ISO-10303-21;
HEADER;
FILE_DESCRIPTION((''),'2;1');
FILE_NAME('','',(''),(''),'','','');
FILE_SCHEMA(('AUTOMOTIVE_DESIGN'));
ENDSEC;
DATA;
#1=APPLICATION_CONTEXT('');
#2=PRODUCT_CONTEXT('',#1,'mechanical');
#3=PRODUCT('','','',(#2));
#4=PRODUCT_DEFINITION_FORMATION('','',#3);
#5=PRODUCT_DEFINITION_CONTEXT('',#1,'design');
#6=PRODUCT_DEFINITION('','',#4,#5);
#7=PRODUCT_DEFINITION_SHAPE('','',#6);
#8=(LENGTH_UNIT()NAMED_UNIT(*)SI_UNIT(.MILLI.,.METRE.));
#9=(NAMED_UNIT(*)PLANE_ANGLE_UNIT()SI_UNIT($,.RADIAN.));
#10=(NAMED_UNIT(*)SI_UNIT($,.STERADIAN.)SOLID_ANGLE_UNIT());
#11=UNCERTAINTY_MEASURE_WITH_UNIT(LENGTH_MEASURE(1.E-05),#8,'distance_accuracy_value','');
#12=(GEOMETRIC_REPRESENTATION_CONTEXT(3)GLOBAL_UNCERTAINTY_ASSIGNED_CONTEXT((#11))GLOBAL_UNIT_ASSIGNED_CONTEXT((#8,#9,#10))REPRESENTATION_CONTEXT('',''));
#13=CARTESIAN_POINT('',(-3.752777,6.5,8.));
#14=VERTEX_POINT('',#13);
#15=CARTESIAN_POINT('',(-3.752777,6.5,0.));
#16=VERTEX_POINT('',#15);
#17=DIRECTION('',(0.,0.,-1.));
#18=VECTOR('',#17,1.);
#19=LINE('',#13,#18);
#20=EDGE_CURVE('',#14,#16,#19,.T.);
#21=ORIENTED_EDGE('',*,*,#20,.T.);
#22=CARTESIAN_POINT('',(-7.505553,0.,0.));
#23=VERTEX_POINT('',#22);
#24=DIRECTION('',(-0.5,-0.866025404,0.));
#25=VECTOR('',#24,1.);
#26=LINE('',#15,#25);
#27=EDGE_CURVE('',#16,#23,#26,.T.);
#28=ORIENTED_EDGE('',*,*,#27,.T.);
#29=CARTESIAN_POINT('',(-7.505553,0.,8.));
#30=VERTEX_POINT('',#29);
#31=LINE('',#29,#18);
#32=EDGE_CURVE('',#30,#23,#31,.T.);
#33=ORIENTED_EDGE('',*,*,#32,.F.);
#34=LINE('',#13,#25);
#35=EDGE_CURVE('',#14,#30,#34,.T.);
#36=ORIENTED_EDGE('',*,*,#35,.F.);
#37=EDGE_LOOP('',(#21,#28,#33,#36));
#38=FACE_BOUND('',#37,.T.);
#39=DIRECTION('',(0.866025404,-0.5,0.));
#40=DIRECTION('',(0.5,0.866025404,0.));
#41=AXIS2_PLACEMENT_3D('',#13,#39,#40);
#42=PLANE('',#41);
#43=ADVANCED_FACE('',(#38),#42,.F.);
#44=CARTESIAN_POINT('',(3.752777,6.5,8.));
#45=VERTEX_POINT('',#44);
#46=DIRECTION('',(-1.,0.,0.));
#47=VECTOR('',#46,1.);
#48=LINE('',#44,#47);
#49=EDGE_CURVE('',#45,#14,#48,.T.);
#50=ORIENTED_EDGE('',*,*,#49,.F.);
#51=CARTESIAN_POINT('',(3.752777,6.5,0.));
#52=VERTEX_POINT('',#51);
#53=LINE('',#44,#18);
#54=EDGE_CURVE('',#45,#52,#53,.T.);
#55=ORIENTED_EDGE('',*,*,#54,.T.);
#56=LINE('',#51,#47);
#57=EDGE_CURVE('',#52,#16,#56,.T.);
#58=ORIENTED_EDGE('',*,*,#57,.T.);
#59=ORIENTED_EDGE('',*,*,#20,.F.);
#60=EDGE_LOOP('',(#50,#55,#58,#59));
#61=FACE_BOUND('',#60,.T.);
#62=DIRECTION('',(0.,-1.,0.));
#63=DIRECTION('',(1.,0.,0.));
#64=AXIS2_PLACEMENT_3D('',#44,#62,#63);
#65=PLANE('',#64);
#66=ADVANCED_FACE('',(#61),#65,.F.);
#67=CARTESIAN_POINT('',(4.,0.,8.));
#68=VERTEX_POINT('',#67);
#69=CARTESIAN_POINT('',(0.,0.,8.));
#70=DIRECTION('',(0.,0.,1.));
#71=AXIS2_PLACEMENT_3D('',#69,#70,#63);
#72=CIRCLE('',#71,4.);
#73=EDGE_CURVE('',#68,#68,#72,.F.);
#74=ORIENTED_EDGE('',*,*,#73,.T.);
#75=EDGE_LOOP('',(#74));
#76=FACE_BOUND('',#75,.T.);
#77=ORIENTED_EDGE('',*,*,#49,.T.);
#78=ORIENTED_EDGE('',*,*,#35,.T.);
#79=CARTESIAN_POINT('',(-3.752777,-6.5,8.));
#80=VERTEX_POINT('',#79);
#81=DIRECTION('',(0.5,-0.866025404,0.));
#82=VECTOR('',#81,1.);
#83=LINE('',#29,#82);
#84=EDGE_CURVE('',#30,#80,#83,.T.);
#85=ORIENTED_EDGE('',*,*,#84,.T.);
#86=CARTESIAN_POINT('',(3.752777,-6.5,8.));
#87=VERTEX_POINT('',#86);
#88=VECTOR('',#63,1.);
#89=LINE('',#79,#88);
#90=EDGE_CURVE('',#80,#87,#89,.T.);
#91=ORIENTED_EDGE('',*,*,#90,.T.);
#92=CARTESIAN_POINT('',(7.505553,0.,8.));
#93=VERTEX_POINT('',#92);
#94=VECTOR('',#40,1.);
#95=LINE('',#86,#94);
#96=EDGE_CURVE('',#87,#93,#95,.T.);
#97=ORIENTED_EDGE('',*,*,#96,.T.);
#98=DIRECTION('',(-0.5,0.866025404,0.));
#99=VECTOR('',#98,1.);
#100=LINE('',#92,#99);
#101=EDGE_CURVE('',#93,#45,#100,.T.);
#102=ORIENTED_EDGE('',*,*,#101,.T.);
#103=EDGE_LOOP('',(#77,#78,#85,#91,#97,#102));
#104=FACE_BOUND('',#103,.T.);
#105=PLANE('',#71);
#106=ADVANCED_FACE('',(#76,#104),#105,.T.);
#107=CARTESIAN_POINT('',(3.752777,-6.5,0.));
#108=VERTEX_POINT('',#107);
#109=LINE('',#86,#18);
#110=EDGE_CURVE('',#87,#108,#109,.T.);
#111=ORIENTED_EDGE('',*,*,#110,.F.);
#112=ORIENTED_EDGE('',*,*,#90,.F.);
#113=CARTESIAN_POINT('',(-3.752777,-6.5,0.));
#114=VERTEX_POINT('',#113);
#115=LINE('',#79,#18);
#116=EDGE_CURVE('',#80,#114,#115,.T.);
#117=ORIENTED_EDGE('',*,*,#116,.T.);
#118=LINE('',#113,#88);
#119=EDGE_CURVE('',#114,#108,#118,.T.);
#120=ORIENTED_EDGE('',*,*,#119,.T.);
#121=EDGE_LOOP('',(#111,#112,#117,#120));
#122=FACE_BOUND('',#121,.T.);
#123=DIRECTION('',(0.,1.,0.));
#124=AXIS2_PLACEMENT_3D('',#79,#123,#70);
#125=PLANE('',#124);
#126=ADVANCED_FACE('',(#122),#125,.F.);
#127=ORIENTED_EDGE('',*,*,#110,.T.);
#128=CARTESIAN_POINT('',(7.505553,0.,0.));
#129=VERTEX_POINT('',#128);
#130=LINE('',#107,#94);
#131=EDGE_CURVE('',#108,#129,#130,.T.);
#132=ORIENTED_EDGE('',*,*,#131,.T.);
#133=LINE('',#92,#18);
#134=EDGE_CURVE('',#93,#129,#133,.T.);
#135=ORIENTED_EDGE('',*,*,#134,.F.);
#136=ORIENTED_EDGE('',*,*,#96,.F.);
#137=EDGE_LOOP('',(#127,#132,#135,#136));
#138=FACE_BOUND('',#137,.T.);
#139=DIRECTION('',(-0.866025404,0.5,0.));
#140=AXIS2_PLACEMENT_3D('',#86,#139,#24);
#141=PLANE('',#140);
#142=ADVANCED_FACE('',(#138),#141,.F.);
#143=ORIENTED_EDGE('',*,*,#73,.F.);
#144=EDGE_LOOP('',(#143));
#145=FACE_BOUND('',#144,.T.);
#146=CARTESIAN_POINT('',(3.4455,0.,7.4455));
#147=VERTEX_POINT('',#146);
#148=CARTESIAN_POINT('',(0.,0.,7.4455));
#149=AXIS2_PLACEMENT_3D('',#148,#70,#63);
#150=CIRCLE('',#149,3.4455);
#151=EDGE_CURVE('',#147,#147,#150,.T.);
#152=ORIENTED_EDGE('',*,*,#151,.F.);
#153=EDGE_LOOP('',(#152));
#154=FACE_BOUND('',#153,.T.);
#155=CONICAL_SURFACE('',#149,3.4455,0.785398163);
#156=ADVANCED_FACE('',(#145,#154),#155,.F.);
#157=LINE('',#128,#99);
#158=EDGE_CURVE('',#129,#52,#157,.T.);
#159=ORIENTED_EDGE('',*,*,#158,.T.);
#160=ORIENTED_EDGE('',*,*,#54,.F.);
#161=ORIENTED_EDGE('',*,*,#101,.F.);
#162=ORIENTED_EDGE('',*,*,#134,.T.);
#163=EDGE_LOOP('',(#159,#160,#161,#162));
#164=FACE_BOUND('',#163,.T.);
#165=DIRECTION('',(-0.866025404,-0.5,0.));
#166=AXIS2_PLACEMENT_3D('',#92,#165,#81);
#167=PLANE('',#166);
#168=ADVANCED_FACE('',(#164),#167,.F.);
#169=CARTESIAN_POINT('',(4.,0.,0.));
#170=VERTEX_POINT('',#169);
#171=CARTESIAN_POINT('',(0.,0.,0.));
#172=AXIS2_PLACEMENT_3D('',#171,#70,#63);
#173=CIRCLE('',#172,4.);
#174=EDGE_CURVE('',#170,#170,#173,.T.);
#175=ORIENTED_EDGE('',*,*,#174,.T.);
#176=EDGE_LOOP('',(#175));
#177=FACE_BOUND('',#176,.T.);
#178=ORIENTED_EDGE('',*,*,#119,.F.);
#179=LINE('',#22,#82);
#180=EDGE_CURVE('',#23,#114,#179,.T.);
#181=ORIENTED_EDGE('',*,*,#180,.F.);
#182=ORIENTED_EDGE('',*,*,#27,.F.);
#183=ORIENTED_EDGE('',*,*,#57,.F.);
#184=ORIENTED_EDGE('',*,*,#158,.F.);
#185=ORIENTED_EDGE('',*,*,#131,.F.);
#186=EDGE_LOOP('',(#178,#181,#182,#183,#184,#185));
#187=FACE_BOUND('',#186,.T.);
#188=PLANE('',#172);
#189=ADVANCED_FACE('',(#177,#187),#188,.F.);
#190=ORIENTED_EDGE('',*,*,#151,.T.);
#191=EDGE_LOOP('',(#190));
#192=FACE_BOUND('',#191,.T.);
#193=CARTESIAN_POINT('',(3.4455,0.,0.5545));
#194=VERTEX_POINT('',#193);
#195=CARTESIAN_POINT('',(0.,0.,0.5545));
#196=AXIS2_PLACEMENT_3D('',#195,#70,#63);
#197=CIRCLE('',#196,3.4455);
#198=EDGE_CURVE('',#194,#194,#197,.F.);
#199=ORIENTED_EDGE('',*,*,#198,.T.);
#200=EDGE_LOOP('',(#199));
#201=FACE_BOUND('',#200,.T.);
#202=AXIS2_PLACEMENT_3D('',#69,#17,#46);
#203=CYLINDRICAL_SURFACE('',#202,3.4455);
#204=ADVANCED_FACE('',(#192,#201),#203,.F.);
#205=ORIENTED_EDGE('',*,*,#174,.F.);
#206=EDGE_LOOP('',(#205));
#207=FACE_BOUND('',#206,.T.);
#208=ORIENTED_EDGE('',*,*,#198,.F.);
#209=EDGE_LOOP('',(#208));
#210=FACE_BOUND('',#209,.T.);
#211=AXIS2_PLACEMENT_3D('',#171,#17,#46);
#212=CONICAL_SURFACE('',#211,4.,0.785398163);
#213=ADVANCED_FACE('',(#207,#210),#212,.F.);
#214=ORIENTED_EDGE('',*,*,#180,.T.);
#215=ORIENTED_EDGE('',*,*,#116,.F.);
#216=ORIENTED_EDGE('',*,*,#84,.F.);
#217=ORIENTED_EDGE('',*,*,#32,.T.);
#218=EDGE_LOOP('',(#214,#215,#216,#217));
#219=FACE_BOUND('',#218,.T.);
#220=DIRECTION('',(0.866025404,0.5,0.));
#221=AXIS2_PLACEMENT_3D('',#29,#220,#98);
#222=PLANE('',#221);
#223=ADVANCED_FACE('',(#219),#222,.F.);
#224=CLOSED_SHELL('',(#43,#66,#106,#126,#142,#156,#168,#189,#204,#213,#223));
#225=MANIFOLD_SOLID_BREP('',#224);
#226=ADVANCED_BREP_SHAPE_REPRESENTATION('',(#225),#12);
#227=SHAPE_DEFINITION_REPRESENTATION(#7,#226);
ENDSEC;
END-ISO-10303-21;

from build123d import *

# Parameters (mm, degrees)
SKETCH_1_R      = 3.4455
EXTRUDE_1_DEPTH = 8
CHAMFER_1_SIZE  = 0.5545


with BuildPart() as part:
    # Эскиз1 → Бобышка-Вытянуть1 (new body)
    with BuildSketch(Plane.XY):
        Polygon((3.75277675, 6.5), (-3.75277675, 6.5), (-7.505553499, 0), (-3.75277675, -6.5), (3.75277675, -6.5), (7.505553499, 0), align=None)
        Circle(SKETCH_1_R, mode=Mode.SUBTRACT)
    extrude(amount=EXTRUDE_1_DEPTH)

    # Фаска1
    chamfer_1_edges = [part.edges().sort_by_distance(p)[0] for p in [
        (-3.4455, 0, 0),
        (-3.4455, 0, 8),
    ]]
    chamfer(chamfer_1_edges, length=CHAMFER_1_SIZE)


solid = part.part
